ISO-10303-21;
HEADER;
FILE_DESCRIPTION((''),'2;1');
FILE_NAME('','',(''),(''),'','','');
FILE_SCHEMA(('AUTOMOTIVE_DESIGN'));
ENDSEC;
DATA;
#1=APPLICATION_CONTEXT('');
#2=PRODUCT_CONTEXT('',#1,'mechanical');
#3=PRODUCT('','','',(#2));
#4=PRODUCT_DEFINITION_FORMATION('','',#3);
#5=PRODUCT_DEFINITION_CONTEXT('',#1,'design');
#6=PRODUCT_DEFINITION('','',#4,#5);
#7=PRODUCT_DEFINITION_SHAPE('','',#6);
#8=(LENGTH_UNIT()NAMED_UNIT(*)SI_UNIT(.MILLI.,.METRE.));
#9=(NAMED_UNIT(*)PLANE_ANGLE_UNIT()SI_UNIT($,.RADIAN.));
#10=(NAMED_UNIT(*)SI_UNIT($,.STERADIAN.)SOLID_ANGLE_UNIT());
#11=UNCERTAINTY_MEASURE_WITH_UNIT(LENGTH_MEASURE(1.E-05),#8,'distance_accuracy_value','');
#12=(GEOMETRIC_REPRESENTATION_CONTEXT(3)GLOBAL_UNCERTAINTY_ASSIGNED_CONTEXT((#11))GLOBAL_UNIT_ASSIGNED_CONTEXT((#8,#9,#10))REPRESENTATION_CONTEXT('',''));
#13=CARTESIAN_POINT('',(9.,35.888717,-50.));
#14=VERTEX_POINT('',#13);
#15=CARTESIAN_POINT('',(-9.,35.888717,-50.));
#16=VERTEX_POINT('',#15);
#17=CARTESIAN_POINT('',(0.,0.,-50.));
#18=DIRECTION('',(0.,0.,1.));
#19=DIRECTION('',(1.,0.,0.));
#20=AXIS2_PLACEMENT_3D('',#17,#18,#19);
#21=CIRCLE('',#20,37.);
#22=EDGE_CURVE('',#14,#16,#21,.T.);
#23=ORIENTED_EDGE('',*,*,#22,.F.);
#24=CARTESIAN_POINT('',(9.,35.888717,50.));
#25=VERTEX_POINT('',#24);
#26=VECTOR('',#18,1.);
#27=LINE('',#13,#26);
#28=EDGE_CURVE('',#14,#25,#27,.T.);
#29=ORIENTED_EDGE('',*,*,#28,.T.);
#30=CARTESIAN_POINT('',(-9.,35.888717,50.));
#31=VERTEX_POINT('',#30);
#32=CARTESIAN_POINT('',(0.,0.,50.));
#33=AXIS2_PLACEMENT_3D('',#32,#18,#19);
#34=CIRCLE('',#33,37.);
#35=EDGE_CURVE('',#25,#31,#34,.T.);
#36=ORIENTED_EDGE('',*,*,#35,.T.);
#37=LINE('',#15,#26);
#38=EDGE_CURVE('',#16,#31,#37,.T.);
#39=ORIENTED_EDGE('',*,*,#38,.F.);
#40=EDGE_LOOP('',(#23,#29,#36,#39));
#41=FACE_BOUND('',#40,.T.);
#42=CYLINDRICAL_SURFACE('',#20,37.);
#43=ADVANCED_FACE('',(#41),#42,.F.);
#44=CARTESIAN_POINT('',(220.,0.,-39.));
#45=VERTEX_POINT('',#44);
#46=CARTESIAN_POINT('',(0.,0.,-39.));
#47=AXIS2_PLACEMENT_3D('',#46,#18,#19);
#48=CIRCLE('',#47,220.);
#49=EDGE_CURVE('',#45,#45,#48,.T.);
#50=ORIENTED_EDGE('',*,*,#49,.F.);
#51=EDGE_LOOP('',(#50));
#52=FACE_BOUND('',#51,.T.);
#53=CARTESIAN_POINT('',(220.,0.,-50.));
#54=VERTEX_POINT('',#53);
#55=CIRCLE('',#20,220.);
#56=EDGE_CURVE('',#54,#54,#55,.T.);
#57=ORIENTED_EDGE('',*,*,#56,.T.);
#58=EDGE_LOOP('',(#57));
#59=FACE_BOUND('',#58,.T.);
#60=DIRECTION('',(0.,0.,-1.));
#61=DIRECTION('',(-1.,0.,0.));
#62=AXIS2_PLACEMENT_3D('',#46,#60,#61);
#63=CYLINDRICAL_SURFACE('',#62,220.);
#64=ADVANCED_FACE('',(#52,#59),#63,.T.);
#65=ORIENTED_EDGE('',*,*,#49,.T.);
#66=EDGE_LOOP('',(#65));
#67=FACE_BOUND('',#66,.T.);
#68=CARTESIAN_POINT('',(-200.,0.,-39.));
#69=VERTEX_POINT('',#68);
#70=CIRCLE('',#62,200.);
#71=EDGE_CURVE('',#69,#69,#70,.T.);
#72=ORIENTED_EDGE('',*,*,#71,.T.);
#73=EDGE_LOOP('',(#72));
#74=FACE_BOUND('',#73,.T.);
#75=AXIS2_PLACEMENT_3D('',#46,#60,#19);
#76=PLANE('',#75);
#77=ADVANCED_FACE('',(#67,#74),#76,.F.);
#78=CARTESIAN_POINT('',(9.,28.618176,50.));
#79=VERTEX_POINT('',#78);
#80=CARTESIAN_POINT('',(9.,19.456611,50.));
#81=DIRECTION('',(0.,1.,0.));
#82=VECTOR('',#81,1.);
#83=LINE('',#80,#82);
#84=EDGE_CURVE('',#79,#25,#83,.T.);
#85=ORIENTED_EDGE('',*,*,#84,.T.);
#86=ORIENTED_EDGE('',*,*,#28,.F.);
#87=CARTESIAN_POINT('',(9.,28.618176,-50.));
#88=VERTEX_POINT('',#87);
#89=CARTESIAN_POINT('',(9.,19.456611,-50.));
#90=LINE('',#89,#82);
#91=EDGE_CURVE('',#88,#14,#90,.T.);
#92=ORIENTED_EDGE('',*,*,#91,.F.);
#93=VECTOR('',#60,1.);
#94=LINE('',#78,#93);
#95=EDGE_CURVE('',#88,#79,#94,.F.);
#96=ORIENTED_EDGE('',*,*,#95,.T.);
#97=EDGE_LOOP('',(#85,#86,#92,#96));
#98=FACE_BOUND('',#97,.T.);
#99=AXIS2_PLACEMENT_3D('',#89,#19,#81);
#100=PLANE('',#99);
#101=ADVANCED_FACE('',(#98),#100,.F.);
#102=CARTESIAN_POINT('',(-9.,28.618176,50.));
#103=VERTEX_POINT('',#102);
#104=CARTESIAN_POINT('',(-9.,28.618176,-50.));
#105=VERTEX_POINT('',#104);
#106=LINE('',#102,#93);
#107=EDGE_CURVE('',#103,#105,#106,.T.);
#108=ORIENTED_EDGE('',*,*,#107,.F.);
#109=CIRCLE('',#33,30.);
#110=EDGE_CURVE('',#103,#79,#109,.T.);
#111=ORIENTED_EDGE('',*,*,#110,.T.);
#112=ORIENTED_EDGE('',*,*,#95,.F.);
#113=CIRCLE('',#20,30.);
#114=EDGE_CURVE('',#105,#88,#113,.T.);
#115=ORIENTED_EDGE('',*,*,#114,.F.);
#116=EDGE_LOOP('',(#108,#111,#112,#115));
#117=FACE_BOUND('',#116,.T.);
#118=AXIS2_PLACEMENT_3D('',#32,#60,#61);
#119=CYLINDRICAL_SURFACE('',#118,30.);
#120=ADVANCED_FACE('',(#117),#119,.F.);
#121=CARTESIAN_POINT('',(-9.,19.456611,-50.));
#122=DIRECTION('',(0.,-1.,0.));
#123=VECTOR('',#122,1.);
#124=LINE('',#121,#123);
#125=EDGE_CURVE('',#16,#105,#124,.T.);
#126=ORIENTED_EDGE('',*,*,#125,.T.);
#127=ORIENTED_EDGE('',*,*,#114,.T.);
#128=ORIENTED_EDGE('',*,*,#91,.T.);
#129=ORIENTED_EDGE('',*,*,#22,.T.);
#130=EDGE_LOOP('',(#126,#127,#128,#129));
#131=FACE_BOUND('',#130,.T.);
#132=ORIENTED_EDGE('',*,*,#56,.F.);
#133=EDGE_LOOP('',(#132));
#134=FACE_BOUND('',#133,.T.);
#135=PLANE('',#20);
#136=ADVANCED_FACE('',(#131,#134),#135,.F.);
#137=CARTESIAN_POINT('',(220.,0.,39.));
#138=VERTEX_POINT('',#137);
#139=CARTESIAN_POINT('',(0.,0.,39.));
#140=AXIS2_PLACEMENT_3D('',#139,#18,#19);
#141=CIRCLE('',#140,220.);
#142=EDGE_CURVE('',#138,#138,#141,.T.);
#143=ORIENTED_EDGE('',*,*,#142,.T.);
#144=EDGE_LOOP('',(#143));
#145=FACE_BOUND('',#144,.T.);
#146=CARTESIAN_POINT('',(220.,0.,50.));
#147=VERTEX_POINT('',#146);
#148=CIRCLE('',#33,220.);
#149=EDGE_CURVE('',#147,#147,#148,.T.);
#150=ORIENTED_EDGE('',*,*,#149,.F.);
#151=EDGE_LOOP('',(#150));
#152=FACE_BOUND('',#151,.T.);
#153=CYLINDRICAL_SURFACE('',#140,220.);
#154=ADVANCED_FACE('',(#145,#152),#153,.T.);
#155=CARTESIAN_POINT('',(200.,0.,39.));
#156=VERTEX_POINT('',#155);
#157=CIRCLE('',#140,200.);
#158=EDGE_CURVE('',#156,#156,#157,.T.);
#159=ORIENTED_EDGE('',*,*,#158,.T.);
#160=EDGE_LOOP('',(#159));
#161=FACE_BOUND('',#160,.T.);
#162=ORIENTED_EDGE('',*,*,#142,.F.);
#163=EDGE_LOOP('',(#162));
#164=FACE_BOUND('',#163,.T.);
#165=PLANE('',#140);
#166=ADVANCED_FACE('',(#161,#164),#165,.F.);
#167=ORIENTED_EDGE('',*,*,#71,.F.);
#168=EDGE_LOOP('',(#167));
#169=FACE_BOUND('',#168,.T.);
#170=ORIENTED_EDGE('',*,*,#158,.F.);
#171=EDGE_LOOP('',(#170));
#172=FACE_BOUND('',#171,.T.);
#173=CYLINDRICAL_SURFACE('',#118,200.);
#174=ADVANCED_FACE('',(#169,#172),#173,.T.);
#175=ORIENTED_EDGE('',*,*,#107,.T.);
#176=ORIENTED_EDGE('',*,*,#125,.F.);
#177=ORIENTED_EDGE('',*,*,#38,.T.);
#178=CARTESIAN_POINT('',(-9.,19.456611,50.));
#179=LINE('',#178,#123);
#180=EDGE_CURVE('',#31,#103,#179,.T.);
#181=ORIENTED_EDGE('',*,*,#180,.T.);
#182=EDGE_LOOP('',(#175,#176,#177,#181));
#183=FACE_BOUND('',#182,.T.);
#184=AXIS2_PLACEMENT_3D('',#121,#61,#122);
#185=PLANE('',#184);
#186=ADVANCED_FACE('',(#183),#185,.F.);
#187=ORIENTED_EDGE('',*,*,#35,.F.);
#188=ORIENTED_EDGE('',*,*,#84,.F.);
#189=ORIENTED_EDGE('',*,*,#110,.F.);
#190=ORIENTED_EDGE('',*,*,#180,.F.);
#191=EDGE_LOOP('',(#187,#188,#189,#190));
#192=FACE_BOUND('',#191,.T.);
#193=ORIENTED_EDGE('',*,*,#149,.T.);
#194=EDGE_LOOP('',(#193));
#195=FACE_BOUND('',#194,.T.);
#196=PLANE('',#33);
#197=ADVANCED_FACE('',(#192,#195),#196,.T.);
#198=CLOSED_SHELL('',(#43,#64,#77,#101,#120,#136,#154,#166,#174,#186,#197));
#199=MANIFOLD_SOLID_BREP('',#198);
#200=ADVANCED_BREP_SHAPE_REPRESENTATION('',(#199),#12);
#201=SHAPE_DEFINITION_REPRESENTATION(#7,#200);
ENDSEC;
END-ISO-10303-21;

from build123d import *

# Parameters (mm, degrees)
SKETCH1_R           = 200
SKETCH1_R_2         = 30
BOSS_EXTRUDE1_DEPTH = 50
BOSS_EXTRUDE2_START = -11
SKETCH2_R           = 220
SKETCH2_R_2         = 30
BOSS_EXTRUDE2_DEPTH = 11
CUT_EXTRUDE1_DEPTH  = 327.802692767


with BuildPart() as part:
    # Sketch1 → Boss-Extrude1 (new, symmetric)
    with BuildSketch(Plane.XY):
        Circle(SKETCH1_R)
        Circle(SKETCH1_R_2, mode=Mode.SUBTRACT)
    extrude(amount=BOSS_EXTRUDE1_DEPTH, both=True)

    # Sketch2 → Boss-Extrude2 (add)
    with BuildSketch(Plane.XY.offset(50).offset(BOSS_EXTRUDE2_START)):
        Circle(SKETCH2_R)
        Circle(SKETCH2_R_2, mode=Mode.SUBTRACT)
    boss_extrude2 = extrude(amount=BOSS_EXTRUDE2_DEPTH)

    # Mirror1: Boss-Extrude2 across plane
    add(boss_extrude2.mirror(Plane.XY))

    # Sketch3 → Cut-Extrude1 (cut, through all)
    with BuildSketch(Plane.XY.offset(50)):
        with BuildLine():
            Line((9, 19.456611091), (9, 35.88871689))
            ThreePointArc((9, 35.88871689), (0, 37), (-9, 35.88871689))
            Line((-9, 35.88871689), (-9, 19.456611091))
            Line((-9, 19.456611091), (9, 19.456611091))
        make_face()
    extrude(amount=-CUT_EXTRUDE1_DEPTH, mode=Mode.SUBTRACT)


solid = part.part
